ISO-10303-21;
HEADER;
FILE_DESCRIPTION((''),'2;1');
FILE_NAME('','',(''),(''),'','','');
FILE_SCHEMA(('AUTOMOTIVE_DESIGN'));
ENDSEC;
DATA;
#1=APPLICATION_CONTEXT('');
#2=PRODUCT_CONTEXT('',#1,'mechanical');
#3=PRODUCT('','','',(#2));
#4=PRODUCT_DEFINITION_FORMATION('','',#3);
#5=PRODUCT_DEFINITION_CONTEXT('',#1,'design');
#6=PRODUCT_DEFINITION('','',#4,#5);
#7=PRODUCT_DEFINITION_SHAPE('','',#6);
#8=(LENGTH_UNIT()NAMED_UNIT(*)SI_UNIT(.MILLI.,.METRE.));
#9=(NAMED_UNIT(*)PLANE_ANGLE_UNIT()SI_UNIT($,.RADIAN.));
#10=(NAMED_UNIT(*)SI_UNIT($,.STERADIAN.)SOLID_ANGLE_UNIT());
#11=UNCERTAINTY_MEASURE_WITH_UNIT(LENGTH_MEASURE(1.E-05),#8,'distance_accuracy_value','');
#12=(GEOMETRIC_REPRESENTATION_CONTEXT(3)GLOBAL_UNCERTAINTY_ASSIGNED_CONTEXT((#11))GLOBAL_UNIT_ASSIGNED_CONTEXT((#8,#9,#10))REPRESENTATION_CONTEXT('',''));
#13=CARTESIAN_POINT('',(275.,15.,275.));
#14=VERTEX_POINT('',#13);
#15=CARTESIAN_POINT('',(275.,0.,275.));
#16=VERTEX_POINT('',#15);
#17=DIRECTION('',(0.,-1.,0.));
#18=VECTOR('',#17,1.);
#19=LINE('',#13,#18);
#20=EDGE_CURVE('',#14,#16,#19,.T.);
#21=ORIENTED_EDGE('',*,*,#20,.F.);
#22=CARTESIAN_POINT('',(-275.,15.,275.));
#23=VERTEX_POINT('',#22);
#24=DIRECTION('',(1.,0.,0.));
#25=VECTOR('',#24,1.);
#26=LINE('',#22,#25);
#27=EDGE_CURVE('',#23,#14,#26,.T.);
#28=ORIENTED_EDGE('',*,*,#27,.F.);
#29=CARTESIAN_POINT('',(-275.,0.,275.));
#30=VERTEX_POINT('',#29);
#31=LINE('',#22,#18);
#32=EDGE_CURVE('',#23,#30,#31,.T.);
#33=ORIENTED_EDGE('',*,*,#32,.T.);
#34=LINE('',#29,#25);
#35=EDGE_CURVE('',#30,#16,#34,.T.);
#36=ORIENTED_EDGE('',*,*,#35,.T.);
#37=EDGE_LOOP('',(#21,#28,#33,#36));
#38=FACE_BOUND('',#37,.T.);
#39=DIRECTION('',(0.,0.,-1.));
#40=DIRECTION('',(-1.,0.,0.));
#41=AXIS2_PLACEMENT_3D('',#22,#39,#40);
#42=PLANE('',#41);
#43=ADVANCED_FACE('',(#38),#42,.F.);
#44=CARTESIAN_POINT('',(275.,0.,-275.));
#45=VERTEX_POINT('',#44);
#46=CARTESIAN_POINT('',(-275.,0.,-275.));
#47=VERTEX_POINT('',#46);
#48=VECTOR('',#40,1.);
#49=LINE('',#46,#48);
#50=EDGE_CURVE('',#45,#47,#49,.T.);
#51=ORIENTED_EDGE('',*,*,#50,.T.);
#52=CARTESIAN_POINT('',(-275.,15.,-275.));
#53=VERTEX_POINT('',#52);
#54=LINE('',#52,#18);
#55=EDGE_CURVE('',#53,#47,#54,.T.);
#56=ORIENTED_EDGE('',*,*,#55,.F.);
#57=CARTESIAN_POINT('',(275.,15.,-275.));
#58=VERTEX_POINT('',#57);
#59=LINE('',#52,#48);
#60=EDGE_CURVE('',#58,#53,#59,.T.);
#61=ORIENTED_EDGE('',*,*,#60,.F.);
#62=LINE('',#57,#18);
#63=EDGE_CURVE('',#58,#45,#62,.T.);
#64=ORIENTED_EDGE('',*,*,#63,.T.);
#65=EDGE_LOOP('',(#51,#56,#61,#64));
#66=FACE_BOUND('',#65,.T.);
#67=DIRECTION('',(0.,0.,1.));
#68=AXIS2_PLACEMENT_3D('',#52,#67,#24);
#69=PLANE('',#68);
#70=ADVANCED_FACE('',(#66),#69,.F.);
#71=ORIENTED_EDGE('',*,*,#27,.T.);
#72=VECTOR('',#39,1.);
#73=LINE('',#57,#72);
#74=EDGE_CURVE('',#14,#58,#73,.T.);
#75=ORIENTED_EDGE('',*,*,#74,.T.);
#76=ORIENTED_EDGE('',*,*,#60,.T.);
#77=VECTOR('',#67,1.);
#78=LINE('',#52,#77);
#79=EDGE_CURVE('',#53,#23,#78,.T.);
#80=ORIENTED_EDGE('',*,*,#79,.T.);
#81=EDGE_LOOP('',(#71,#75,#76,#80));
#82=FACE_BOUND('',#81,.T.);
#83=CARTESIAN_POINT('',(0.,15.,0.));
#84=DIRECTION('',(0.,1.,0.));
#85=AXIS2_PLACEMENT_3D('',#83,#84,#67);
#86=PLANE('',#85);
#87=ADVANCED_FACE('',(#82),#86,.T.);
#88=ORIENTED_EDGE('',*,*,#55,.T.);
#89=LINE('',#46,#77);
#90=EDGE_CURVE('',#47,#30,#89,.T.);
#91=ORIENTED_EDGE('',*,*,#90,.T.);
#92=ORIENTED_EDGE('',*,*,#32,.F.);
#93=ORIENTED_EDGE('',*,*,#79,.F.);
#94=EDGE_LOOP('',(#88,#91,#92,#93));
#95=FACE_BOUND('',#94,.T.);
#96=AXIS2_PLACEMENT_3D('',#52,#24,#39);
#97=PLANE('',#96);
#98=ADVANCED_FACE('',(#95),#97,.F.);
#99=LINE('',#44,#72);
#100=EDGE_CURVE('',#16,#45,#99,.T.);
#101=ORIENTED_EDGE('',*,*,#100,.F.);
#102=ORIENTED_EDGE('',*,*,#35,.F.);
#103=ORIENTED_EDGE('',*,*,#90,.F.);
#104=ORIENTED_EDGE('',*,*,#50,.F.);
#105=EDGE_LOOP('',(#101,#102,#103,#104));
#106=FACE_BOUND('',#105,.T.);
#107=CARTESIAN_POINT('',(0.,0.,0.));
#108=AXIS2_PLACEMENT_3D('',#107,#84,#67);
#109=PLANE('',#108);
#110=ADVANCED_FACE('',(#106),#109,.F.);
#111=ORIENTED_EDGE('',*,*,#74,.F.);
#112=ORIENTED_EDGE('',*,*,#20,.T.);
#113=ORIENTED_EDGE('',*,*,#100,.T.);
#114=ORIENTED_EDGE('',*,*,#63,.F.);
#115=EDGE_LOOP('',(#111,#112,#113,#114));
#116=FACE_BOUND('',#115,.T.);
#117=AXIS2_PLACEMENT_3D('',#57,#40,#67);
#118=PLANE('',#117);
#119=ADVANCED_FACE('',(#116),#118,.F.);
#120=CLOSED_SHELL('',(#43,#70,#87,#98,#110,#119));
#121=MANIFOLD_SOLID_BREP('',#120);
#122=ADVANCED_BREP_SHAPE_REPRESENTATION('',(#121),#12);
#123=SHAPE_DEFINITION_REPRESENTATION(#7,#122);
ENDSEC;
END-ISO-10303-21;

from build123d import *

# Parameters (mm, degrees)
SKETCH_1_W      = 550
SKETCH_1_H      = 550
EXTRUDE_1_DEPTH = 15


with BuildPart() as part:
    # 草图1 → 凸台-拉伸1 (new body)
    with BuildSketch(Plane(origin=(0, 0, 0), x_dir=(1, 0, 0), z_dir=(0, 1, 0))):
        Rectangle(SKETCH_1_W, SKETCH_1_H)
    extrude(amount=EXTRUDE_1_DEPTH)


solid = part.part
